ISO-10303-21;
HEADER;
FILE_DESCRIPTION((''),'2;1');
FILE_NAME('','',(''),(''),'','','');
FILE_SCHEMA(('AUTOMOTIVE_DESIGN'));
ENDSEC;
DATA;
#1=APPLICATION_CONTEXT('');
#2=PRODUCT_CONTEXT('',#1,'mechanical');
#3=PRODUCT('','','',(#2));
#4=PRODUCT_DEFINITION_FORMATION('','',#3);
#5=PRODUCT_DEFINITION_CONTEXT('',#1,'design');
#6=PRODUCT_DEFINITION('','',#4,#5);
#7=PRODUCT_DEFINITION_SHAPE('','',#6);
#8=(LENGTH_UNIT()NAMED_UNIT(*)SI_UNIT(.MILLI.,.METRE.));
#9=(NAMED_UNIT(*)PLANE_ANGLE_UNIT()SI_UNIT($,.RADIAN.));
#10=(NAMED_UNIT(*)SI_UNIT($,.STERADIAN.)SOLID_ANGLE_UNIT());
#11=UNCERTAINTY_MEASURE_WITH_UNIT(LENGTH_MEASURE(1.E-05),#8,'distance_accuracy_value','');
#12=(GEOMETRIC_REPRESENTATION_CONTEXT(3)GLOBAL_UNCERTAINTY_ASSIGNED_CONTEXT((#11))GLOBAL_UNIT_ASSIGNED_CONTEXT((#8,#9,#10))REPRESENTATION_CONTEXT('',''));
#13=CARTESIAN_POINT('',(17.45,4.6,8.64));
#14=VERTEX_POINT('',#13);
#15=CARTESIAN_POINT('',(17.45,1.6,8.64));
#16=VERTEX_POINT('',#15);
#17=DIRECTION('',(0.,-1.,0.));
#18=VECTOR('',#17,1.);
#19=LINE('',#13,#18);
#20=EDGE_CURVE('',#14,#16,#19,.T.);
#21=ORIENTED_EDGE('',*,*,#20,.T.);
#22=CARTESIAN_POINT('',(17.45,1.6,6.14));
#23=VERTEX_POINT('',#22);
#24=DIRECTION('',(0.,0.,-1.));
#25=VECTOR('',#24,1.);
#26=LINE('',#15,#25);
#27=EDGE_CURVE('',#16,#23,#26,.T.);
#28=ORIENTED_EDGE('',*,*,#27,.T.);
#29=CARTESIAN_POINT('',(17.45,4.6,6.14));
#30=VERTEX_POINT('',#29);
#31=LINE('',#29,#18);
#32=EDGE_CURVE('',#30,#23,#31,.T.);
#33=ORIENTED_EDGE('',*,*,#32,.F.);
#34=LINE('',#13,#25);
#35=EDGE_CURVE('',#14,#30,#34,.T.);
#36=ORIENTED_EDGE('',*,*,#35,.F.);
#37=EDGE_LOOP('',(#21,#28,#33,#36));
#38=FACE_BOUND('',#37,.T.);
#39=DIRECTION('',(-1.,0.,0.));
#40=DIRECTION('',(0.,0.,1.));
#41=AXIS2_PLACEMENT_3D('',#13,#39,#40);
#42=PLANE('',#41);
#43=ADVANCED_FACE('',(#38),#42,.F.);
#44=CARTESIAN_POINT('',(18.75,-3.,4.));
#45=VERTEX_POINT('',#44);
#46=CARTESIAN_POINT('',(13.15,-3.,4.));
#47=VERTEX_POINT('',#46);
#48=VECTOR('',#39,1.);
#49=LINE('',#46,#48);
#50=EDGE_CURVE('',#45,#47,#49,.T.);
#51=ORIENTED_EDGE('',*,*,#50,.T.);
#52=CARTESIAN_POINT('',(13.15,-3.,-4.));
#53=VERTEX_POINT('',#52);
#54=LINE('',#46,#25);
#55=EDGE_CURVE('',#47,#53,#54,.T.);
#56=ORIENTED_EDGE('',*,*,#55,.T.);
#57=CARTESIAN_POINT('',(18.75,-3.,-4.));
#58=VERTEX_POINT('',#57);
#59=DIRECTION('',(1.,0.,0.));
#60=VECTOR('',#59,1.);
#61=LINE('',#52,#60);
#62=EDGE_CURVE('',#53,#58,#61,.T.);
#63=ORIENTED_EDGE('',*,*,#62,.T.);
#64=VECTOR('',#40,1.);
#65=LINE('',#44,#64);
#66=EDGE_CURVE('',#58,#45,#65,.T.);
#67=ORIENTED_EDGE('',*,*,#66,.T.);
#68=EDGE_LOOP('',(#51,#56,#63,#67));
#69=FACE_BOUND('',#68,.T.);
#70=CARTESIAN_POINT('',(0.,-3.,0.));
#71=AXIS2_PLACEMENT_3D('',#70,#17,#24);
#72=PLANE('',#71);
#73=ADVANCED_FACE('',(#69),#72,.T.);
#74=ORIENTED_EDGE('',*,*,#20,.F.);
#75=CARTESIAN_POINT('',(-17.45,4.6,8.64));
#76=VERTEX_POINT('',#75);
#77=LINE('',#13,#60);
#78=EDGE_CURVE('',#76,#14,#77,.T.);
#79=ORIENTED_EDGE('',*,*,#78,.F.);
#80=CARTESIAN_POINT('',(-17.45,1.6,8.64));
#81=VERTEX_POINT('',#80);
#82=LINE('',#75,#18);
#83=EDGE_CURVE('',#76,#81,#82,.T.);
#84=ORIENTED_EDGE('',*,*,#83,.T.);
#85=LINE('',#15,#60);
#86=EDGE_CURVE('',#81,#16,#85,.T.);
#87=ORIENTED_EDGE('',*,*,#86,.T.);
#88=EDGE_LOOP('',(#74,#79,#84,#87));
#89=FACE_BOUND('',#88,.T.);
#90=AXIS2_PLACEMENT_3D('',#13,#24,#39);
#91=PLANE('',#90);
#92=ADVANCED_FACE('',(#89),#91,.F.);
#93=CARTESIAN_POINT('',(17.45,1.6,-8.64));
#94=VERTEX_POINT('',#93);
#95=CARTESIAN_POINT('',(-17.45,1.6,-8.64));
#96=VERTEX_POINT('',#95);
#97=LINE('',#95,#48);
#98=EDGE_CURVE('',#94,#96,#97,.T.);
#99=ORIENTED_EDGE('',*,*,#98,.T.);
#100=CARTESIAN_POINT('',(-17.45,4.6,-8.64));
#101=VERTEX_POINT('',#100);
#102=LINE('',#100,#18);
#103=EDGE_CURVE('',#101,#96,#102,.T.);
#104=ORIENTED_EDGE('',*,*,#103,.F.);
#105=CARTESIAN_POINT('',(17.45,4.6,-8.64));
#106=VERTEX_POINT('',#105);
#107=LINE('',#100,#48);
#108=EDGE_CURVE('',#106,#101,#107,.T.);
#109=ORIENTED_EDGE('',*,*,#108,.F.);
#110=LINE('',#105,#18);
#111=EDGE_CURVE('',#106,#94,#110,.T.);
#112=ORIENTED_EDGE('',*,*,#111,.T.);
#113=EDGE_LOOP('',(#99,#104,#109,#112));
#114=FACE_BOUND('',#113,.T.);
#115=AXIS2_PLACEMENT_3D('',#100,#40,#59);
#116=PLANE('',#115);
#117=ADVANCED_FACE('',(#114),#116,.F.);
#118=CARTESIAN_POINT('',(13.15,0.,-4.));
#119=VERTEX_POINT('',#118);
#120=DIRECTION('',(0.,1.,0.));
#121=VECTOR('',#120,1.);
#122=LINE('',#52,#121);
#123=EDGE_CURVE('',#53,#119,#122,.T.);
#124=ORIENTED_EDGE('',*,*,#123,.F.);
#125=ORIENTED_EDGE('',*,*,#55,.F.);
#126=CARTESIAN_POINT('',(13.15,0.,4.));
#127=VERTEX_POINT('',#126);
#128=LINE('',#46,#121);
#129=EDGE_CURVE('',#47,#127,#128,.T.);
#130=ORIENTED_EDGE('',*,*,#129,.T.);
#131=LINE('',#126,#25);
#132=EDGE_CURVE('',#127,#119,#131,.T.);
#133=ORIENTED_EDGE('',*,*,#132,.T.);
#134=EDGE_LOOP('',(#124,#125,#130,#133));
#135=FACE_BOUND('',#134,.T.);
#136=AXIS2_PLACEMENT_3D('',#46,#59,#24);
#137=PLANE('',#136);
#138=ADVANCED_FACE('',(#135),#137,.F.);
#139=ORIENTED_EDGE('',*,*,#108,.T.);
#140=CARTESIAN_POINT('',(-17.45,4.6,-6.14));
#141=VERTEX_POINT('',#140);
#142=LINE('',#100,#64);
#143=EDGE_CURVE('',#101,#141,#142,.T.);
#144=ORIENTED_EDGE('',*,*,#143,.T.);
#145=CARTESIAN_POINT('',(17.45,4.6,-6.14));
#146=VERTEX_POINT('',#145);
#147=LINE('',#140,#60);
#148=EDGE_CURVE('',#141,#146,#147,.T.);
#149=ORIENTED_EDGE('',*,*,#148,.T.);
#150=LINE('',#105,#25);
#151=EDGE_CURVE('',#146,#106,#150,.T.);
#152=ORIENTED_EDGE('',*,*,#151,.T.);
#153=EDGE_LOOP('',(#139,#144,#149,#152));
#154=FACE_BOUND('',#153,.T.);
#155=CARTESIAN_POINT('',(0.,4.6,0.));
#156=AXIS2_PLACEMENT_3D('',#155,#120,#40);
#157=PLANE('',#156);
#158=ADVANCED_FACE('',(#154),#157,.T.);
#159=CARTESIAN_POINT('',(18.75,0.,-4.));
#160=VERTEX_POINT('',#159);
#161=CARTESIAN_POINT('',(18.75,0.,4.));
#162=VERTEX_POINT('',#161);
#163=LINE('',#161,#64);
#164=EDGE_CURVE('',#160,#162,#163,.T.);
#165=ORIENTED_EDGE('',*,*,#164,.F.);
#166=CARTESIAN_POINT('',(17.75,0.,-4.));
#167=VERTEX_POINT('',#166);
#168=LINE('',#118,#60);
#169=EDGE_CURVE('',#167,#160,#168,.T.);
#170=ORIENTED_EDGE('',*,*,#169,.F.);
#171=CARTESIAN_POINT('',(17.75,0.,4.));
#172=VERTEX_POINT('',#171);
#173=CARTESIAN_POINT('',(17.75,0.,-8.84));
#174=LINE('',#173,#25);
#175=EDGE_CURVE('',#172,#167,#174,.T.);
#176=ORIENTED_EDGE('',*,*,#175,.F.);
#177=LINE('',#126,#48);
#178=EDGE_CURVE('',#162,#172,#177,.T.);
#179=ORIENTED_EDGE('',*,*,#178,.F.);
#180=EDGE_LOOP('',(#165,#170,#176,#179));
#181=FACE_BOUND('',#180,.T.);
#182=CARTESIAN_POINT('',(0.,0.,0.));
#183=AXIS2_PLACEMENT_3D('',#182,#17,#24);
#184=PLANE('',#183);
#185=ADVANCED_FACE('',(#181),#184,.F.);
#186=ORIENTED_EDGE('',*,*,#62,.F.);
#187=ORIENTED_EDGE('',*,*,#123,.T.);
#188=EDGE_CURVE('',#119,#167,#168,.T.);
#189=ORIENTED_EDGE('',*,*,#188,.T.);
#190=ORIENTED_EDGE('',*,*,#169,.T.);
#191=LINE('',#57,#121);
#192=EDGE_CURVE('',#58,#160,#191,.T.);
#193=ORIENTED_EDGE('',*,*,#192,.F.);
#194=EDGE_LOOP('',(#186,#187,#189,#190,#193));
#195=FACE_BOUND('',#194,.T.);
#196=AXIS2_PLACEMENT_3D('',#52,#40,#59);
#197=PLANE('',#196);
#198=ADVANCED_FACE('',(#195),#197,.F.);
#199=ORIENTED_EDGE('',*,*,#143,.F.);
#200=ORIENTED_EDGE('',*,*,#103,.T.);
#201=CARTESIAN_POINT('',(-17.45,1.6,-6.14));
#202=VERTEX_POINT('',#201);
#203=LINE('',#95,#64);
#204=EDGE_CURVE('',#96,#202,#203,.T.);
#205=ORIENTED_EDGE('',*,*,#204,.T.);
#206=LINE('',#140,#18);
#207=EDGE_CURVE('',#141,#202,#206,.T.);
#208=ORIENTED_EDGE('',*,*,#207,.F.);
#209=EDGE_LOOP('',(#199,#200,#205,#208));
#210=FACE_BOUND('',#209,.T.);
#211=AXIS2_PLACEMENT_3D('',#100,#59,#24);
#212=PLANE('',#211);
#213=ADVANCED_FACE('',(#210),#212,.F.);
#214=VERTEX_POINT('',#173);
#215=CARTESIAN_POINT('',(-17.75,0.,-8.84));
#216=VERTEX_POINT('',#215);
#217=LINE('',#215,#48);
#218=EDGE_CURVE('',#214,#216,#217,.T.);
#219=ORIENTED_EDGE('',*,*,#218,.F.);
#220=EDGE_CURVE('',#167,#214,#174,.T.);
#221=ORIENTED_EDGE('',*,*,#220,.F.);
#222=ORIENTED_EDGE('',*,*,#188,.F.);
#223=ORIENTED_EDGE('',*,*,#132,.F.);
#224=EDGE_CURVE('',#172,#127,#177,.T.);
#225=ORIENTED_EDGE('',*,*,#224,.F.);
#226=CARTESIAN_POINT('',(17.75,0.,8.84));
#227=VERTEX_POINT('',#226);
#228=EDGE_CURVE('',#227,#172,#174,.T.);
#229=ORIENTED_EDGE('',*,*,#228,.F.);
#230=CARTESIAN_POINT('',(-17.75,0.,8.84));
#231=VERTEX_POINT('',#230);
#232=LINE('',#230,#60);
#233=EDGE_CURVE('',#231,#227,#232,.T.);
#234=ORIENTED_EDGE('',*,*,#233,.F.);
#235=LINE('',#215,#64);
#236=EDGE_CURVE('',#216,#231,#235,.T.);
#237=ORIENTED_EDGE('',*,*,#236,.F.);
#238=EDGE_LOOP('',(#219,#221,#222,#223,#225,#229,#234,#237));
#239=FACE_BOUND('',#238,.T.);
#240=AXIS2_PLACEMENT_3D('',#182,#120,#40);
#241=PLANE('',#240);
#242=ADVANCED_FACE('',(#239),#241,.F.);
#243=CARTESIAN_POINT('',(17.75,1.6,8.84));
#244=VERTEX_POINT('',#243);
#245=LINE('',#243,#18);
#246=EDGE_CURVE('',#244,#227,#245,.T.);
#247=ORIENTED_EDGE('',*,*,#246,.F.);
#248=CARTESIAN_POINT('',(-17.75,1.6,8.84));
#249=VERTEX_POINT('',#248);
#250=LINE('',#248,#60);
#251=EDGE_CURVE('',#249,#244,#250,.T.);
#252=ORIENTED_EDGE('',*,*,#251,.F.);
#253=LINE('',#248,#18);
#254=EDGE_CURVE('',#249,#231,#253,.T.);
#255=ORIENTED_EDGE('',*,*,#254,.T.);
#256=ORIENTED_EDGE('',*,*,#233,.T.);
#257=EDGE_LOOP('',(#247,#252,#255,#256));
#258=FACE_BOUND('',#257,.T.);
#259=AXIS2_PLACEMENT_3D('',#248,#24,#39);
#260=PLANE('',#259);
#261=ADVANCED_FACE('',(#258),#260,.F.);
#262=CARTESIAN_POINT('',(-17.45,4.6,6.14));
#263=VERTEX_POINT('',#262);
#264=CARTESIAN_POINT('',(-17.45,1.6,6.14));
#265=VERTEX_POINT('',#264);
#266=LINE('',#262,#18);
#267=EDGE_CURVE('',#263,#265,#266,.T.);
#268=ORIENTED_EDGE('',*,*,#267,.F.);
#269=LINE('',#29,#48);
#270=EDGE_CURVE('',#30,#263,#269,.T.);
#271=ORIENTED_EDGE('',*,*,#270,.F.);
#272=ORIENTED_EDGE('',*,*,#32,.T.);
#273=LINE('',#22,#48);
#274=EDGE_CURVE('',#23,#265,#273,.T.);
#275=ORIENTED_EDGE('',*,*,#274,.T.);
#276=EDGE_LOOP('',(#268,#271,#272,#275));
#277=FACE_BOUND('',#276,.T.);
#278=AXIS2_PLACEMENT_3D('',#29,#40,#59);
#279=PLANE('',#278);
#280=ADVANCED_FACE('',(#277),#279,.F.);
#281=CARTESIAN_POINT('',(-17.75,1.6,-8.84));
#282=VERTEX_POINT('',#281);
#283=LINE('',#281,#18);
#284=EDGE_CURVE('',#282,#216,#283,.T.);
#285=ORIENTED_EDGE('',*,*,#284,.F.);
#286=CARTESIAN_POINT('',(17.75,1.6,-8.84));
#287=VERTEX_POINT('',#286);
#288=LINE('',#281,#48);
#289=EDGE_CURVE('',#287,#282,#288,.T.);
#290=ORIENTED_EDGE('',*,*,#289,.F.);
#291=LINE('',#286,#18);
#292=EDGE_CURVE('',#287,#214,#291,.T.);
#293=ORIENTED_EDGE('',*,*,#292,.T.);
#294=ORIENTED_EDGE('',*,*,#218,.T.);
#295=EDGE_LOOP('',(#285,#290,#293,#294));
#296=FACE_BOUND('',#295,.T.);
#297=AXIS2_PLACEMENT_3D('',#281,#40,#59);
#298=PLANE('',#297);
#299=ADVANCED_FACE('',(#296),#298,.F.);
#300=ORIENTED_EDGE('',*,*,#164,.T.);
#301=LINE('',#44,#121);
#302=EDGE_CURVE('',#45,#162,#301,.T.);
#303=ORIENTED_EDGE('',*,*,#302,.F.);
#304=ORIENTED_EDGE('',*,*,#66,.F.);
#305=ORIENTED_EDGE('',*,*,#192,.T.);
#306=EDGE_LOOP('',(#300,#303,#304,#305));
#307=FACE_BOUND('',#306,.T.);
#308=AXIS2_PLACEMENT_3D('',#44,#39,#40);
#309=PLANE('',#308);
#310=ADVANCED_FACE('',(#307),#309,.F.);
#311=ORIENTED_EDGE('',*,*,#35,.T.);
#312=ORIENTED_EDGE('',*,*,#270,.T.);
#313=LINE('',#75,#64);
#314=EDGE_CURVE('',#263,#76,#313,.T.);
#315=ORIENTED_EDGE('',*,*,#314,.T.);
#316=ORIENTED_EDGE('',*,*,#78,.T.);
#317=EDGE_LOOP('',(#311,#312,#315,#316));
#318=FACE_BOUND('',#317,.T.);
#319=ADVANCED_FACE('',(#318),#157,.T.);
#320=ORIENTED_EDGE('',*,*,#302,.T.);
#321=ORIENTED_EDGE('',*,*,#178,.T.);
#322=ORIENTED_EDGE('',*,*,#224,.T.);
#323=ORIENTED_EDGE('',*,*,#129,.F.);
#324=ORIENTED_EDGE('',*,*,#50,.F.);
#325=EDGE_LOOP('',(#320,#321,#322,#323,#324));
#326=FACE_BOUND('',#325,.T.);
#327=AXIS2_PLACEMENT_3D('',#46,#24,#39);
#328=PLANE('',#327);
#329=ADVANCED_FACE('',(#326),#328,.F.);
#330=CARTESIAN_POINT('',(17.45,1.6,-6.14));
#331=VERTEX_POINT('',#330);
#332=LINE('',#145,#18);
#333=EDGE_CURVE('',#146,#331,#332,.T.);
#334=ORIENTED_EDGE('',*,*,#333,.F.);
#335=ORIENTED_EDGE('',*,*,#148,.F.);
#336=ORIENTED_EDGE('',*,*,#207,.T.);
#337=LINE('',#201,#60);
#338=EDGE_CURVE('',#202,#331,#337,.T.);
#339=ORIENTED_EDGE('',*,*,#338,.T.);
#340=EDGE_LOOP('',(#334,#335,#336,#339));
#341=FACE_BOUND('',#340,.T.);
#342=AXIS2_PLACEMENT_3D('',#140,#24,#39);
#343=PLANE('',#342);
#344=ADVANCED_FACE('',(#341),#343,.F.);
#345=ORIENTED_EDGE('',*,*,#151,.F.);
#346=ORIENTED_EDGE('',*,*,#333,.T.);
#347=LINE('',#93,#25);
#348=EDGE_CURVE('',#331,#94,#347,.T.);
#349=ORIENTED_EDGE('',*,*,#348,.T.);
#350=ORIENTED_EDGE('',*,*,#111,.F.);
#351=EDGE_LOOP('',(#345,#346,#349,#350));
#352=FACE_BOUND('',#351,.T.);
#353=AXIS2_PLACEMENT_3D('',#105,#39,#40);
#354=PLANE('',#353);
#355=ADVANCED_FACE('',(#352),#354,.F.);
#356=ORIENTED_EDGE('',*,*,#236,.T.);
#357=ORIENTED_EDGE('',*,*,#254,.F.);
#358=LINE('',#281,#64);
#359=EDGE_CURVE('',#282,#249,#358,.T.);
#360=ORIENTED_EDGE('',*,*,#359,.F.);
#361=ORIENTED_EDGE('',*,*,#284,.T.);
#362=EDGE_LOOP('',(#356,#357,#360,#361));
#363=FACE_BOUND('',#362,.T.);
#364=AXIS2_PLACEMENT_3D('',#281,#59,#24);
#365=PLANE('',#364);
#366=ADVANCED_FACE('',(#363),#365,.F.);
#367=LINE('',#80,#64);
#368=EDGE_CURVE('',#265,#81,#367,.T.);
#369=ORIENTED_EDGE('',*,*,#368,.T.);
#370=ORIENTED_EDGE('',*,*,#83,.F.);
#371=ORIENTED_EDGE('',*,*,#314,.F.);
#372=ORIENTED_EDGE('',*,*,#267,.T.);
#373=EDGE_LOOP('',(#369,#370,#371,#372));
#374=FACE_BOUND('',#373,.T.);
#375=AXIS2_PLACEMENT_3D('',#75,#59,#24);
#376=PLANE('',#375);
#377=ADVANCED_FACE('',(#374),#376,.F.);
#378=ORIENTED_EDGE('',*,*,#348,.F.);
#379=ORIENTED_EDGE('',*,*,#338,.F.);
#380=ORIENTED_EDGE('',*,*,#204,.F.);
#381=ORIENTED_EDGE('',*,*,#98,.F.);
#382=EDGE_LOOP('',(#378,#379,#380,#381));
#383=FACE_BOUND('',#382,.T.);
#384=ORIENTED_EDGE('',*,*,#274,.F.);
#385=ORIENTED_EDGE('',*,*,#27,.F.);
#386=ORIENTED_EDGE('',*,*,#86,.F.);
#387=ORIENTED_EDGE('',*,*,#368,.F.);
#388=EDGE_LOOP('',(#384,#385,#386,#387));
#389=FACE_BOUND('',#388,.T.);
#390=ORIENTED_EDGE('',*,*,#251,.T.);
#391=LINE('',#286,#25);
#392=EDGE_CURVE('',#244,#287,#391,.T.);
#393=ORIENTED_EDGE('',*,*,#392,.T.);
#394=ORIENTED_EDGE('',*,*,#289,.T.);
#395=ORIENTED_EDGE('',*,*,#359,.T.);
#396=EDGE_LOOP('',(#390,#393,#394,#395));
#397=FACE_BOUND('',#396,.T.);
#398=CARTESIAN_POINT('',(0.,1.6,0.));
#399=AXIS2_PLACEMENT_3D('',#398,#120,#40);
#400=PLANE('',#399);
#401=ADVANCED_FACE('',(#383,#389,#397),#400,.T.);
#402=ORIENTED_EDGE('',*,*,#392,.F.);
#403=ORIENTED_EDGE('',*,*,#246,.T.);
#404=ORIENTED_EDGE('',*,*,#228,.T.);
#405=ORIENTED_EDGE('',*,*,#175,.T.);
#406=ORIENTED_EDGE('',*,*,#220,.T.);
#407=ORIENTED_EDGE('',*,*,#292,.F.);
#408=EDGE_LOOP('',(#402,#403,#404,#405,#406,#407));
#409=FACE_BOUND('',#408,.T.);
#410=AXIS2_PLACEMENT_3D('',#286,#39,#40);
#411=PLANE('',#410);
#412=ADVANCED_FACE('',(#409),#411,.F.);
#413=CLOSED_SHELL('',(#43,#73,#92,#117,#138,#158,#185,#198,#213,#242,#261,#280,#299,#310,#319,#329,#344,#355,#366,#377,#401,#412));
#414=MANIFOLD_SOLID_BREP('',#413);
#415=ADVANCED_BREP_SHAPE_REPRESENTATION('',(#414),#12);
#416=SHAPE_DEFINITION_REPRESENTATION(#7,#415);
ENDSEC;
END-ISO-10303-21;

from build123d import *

# Parameters (mm, degrees)
SKETCH1_W           = 35.5
SKETCH1_H           = 17.68
BOSS_EXTRUDE1_DEPTH = 1.6
SKETCH2_W           = 34.9
SKETCH2_H           = 2.5
BOSS_EXTRUDE2_DEPTH = 3
SKETCH3_W           = 5.6
SKETCH3_H           = 8
BOSS_EXTRUDE3_DEPTH = 3


with BuildPart() as part:
    # Sketch1 → Boss-Extrude1 (new body)
    with BuildSketch(Plane(origin=(0, 0, 0), x_dir=(1, 0, 0), z_dir=(0, 1, 0))):
        Rectangle(SKETCH1_W, SKETCH1_H)
    extrude(amount=BOSS_EXTRUDE1_DEPTH)

    # Sketch2 → Boss-Extrude2 (add)
    with BuildSketch(Plane(origin=(0, 1.6, 0), x_dir=(1, 0, 0), z_dir=(0, 1, 0))):
        with Locations((0, 7.39)):
            Rectangle(SKETCH2_W, SKETCH2_H)
        with Locations((0, -7.39)):
            Rectangle(SKETCH2_W, SKETCH2_H)
    extrude(amount=BOSS_EXTRUDE2_DEPTH)

    # Sketch3 → Boss-Extrude3 (add)
    with BuildSketch(Plane.XZ):
        with Locations((15.95, 0)):
            Rectangle(SKETCH3_W, SKETCH3_H)
    extrude(amount=BOSS_EXTRUDE3_DEPTH)


solid = part.part
